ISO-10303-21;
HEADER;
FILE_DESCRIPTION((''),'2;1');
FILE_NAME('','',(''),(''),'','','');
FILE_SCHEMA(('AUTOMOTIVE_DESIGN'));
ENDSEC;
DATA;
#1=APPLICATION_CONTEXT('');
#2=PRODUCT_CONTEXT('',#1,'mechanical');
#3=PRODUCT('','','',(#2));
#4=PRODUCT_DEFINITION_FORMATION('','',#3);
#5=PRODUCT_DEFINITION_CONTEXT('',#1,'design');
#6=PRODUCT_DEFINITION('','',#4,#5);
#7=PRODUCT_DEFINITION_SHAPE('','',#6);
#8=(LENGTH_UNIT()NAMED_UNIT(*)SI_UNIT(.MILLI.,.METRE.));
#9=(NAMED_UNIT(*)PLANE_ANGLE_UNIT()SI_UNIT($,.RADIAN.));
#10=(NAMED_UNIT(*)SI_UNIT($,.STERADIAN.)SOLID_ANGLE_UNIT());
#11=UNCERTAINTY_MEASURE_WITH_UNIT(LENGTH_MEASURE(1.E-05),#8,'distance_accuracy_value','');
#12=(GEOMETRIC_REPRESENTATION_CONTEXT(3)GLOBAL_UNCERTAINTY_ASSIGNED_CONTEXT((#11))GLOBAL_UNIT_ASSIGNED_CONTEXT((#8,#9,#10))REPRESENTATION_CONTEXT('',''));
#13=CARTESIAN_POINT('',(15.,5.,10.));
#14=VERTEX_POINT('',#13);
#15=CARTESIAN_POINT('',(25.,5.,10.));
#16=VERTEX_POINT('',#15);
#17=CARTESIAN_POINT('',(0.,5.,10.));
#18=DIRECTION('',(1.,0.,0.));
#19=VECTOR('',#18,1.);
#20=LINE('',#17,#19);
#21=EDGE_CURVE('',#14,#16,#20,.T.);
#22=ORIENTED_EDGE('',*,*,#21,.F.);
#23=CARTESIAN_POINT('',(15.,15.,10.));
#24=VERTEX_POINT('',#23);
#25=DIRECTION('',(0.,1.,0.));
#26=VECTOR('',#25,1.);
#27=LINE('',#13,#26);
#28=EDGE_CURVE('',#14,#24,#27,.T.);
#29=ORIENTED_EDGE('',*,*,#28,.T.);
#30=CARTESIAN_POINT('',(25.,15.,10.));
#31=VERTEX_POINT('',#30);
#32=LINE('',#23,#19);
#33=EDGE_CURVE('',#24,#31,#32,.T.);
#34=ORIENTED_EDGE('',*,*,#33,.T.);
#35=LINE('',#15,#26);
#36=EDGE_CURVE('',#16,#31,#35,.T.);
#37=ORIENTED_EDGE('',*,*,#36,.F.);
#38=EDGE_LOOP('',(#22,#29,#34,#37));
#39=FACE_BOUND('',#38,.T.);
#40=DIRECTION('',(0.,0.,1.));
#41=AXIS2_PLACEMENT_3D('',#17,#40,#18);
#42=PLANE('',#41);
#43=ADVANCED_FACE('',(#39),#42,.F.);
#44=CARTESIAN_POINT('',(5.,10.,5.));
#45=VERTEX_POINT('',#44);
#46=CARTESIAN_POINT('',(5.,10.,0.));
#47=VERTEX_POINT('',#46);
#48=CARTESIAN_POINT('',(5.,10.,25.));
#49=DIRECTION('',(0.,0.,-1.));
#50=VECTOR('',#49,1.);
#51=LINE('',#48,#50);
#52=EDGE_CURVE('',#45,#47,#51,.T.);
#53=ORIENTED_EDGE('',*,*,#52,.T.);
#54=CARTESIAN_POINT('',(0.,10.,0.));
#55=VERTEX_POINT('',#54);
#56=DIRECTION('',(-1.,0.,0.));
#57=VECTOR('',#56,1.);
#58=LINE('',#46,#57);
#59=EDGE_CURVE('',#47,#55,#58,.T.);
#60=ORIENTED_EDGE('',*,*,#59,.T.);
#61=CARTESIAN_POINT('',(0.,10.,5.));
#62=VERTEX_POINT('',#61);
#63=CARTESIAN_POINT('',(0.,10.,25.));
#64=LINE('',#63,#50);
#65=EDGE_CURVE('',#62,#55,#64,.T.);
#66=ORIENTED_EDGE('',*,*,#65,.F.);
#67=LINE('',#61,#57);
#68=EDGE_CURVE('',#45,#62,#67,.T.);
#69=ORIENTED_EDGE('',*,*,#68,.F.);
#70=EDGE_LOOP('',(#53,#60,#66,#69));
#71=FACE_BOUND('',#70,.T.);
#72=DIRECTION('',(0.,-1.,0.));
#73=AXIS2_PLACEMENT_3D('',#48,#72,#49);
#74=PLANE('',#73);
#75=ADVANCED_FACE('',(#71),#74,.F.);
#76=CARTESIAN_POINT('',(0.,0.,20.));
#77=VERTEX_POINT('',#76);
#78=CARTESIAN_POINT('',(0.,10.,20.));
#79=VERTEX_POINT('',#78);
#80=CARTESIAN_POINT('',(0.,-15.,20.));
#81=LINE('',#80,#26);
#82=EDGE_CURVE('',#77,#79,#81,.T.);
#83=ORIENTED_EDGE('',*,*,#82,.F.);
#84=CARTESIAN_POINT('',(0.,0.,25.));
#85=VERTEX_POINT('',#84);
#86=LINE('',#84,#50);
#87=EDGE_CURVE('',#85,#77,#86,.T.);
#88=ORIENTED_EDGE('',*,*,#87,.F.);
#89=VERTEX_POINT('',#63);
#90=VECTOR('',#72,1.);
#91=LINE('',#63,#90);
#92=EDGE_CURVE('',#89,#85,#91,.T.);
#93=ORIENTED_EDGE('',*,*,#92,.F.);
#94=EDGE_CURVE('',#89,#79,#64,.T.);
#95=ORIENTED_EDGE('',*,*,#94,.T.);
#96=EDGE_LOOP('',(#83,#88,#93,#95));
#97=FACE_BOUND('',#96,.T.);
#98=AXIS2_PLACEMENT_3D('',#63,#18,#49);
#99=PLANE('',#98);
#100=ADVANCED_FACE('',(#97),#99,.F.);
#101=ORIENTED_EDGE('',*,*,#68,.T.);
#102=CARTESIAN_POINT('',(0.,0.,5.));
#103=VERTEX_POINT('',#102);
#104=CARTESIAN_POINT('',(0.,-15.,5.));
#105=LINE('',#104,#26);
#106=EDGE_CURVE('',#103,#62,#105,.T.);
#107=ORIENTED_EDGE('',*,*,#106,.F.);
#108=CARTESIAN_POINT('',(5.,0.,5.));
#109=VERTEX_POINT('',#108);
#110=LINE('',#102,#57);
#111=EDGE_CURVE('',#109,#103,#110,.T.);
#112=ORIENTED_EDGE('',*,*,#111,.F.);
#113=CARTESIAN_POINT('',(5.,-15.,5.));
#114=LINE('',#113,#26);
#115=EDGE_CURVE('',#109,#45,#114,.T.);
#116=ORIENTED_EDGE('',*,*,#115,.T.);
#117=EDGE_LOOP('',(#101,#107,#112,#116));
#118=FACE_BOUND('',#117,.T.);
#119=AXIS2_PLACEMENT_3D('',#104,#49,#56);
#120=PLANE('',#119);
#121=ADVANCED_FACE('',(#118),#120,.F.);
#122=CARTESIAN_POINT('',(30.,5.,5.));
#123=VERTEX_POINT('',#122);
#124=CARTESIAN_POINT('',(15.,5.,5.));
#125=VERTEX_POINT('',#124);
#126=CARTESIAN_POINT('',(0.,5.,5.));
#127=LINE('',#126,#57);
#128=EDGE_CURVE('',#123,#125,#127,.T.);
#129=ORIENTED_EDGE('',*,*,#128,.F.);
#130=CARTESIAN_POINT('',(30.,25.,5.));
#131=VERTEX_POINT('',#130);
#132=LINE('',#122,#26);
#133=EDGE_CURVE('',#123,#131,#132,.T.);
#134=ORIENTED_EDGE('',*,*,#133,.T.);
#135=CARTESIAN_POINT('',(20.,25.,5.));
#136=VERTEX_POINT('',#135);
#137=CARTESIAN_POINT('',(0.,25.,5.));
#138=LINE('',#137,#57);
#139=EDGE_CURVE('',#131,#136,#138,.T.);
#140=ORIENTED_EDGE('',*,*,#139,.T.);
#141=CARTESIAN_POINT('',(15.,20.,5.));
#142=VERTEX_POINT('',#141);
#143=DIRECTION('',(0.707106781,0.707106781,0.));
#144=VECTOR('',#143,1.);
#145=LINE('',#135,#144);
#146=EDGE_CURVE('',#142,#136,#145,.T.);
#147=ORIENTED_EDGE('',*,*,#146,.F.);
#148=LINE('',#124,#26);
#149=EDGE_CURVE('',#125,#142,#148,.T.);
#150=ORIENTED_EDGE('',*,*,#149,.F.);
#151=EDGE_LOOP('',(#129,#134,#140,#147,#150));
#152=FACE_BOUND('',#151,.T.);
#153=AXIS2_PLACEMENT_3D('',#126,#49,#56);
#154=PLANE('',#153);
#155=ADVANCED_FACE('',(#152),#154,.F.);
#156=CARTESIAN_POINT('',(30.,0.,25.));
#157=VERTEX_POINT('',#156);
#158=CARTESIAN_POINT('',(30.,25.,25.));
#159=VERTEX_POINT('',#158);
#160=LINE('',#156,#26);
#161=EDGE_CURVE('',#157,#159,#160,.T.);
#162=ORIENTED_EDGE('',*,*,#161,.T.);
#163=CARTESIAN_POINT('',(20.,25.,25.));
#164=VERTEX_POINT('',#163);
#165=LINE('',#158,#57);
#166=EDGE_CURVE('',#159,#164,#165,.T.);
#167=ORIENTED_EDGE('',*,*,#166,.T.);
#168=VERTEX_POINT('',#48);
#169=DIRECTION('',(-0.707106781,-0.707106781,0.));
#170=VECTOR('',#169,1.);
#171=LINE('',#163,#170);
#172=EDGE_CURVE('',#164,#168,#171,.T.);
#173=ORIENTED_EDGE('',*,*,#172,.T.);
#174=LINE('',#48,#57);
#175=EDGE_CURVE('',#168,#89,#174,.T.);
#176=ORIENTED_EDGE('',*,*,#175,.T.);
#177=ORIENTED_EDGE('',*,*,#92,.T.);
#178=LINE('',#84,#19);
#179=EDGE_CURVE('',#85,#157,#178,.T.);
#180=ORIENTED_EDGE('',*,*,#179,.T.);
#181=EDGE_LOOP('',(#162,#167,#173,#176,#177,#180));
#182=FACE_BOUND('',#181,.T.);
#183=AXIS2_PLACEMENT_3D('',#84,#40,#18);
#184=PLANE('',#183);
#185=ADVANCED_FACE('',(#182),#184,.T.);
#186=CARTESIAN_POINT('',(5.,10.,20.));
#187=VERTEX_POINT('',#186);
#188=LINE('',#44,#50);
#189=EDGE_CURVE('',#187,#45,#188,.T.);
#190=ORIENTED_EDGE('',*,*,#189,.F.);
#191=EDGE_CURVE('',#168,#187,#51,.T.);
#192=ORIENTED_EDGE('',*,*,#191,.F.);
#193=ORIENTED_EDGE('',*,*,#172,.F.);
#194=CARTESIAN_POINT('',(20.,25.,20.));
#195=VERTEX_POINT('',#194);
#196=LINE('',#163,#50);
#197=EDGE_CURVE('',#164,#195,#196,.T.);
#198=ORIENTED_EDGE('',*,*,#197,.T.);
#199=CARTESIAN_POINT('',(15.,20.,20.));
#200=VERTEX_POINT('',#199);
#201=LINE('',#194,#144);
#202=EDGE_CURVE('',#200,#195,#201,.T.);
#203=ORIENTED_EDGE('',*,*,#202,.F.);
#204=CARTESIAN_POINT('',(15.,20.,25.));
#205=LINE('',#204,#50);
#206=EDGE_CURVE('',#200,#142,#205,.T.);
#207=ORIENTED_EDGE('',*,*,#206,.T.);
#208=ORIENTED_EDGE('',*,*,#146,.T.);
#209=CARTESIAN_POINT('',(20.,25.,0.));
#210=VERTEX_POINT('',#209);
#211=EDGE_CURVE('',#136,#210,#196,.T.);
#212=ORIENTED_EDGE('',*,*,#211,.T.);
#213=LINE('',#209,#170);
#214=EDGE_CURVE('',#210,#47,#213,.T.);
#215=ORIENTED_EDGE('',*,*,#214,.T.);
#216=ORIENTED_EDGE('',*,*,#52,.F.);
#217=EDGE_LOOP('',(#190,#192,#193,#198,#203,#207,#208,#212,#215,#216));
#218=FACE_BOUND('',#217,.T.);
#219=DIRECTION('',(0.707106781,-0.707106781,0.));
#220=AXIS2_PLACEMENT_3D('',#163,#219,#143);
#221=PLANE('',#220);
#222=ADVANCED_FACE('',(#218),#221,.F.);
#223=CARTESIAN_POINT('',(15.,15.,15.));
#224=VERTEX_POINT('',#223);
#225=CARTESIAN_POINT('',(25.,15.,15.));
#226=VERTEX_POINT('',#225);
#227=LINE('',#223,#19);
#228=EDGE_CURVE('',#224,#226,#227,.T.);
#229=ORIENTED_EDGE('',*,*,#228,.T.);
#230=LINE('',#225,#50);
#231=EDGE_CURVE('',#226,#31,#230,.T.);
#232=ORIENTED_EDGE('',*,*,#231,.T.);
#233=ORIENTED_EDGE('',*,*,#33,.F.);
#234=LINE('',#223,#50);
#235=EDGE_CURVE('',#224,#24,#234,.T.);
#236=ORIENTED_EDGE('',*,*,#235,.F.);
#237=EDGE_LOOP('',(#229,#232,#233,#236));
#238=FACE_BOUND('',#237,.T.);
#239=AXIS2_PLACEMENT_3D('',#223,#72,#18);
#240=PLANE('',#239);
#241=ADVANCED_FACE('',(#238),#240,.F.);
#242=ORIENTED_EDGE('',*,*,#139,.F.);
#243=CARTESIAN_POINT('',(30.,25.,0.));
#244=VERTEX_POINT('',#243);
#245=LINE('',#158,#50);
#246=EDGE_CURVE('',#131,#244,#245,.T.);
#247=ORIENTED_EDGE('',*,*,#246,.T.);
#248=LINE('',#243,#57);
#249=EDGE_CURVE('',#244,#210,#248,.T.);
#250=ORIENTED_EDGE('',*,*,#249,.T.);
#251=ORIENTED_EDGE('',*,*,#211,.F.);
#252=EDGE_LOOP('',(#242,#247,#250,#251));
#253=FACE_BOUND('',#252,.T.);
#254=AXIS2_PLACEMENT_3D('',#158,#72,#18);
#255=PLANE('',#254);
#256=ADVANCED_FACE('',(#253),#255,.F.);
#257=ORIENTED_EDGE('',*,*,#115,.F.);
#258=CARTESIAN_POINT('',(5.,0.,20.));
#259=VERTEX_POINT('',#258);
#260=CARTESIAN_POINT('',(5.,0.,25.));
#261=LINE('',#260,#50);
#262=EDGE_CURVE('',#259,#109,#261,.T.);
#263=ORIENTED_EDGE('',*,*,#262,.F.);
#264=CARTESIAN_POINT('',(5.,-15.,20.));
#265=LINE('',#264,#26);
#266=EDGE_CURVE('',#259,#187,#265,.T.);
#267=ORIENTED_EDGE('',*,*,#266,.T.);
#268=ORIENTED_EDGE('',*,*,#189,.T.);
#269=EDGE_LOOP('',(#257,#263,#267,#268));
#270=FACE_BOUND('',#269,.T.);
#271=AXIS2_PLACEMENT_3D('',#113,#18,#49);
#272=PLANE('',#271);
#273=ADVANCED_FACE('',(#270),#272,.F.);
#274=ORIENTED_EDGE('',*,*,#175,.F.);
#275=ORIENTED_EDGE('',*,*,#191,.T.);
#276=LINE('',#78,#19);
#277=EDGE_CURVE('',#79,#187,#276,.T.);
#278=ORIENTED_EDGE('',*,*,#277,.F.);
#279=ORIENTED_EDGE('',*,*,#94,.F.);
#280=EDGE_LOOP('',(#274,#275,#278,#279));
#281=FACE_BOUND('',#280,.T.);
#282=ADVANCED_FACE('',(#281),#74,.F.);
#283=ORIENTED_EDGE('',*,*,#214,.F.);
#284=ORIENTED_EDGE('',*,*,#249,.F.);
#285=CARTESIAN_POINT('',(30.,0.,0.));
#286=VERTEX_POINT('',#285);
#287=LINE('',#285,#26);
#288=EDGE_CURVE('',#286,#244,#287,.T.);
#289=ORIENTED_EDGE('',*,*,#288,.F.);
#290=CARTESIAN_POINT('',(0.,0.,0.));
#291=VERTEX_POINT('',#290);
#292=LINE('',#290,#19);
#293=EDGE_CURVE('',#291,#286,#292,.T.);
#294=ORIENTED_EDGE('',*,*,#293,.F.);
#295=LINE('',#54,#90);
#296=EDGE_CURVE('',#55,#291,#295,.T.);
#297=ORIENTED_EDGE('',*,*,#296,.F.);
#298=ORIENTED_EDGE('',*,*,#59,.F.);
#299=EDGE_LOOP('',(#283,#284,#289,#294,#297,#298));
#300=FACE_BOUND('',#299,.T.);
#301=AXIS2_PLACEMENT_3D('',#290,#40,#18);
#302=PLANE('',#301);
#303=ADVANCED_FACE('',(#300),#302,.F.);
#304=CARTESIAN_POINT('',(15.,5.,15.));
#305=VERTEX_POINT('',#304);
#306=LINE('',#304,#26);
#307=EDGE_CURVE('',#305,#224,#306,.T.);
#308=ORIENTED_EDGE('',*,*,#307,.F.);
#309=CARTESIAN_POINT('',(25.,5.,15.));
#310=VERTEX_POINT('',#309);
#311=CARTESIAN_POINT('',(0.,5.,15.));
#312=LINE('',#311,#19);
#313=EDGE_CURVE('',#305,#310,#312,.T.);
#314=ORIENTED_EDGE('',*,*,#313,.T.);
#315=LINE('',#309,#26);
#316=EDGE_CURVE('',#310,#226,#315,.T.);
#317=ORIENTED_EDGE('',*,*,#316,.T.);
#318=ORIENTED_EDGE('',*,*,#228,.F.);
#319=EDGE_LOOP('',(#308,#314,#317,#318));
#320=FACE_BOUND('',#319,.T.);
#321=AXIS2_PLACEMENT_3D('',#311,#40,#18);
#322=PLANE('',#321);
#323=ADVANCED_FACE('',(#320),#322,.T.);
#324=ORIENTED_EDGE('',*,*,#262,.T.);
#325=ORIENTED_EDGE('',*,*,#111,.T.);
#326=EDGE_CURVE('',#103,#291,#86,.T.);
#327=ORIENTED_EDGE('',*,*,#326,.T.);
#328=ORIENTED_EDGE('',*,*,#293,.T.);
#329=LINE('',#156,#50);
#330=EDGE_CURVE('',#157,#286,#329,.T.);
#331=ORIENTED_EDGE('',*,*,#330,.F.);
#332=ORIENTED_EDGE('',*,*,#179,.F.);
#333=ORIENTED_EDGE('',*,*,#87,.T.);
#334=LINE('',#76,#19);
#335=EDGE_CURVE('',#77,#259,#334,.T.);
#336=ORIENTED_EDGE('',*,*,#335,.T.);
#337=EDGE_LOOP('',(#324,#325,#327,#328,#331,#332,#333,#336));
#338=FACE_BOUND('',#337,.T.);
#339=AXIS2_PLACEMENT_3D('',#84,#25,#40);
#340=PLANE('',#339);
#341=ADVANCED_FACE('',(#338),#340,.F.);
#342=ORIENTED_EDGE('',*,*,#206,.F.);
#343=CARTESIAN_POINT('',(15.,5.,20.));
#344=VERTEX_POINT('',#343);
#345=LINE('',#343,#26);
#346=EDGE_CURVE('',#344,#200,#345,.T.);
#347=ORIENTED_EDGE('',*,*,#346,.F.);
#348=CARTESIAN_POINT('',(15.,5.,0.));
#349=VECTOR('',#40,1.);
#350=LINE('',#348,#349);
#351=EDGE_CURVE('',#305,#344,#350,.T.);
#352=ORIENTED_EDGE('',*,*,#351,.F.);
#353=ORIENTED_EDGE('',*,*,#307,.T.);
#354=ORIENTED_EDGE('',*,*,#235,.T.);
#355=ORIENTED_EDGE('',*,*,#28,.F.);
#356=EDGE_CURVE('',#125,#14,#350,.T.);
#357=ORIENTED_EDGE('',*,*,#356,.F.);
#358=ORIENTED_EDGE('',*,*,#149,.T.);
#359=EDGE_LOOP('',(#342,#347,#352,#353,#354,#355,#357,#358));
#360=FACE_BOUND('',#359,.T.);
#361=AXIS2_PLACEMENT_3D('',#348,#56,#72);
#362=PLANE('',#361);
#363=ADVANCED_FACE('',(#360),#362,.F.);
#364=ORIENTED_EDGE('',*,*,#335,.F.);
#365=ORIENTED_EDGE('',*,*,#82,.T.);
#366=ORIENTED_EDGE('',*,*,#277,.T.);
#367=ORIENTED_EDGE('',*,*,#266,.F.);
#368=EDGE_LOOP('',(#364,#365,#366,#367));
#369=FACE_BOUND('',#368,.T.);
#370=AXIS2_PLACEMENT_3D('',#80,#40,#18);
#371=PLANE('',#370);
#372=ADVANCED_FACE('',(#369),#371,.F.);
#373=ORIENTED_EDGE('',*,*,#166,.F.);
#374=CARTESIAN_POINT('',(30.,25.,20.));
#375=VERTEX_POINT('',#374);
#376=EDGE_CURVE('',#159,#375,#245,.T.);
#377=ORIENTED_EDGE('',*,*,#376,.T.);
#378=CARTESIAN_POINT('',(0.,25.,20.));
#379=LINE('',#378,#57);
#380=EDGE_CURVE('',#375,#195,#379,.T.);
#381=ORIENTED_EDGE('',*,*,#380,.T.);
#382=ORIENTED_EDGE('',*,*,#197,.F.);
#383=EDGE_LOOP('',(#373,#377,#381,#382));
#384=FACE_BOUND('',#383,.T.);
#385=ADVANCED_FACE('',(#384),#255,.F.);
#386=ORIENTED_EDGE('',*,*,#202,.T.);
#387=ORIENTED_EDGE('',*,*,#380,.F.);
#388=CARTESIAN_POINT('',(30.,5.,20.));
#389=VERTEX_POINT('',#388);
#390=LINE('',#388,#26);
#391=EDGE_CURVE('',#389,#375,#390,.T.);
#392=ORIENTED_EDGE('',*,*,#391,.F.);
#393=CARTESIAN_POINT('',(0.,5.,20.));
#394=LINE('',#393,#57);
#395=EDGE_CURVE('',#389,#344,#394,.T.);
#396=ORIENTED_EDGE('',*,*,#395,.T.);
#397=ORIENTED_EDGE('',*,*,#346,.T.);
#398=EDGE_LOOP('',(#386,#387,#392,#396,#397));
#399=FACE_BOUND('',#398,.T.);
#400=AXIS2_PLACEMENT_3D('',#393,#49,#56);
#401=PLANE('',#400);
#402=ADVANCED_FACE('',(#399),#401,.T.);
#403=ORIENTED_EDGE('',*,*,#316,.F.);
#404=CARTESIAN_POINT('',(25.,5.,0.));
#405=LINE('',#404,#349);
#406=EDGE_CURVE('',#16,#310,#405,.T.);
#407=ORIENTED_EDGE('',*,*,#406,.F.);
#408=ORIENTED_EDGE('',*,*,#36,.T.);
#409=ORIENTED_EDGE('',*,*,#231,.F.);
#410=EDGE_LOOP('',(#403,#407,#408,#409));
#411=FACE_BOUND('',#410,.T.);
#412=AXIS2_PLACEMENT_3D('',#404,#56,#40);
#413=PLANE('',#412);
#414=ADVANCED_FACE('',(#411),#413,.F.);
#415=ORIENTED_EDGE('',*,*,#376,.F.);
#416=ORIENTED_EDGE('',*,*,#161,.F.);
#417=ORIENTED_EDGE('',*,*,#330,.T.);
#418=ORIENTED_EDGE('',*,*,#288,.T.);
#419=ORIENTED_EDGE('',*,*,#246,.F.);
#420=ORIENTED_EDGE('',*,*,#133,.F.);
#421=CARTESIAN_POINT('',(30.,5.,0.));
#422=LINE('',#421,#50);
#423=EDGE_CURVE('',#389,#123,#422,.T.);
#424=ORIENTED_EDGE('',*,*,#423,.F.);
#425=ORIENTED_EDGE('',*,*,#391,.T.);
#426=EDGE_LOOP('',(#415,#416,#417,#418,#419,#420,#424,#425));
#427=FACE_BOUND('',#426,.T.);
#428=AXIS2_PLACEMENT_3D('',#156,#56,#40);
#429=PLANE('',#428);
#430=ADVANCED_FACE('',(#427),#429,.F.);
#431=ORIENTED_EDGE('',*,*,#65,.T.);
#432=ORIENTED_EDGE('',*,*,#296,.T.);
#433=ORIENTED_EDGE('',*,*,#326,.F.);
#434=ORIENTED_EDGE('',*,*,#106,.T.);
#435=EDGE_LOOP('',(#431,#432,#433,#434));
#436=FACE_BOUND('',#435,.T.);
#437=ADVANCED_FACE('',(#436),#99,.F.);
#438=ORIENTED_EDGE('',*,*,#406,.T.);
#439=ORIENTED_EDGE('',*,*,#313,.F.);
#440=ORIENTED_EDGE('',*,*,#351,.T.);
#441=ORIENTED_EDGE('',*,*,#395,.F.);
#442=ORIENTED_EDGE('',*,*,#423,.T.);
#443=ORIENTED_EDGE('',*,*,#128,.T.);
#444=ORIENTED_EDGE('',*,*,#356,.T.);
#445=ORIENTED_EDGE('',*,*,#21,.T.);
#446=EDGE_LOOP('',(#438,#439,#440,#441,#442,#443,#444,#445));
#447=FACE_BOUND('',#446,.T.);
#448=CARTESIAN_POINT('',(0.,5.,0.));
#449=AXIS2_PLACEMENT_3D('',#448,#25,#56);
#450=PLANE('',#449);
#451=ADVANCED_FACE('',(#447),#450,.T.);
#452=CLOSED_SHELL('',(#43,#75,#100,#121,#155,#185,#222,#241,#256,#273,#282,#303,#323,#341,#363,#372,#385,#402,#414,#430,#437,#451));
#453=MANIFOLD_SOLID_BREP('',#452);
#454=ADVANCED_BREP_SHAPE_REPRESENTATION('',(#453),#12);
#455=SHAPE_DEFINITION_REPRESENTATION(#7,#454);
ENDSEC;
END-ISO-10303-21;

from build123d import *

# Parameters (mm, degrees)
BOSS_EXTRUDE1_DEPTH = 25
SKETCH2_W           = 5
SKETCH2_H           = 15
CUT_EXTRUDE1_DEPTH  = 25
SKETCH3_W           = 5
SKETCH3_H           = 5
CUT_EXTRUDE2_DEPTH  = 20
SKETCH4_W           = 5
SKETCH4_H           = 10
CUT_EXTRUDE3_DEPTH  = 10


with BuildPart() as part:
    # Sketch1 → Boss-Extrude1 (new body)
    with BuildSketch(Plane.XY):
        Polygon((0, 0), (30, 0), (30, 25), (20, 25), (5, 10), (0, 10), align=None)
    extrude(amount=BOSS_EXTRUDE1_DEPTH)

    # Sketch2 → Cut-Extrude1 (cut)
    with BuildSketch(Plane(origin=(0, 10, 0), x_dir=(1, 0, 0), z_dir=(0, 1, 0))):
        with Locations((2.5, -12.5)):
            Rectangle(SKETCH2_W, SKETCH2_H)
    extrude(amount=-CUT_EXTRUDE1_DEPTH, mode=Mode.SUBTRACT)

    # Sketch3 → Cut-Extrude2 (cut)
    with BuildSketch(Plane(origin=(0, 25, 0), x_dir=(1, 0, 0), z_dir=(0, 1, 0))):
        Polygon((30, -20), (30, -5), (20, -5), (20, -10), (25, -10), (25, -15), (20, -15), (20, -20), align=None)
        with Locations((17.5, -7.5)):
            Rectangle(SKETCH3_W, SKETCH3_H)
        with Locations((17.5, -17.5)):
            Rectangle(SKETCH3_W, SKETCH3_H)
    extrude(amount=-CUT_EXTRUDE2_DEPTH, mode=Mode.SUBTRACT)

    # Sketch4 → Cut-Extrude3 (cut)
    with BuildSketch(Plane(origin=(25, 0, 0), x_dir=(0, 0, -1), z_dir=(1, 0, 0))):
        with Locations((-12.5, 20)):
            Rectangle(SKETCH4_W, SKETCH4_H)
    extrude(amount=-CUT_EXTRUDE3_DEPTH, mode=Mode.SUBTRACT)


solid = part.part
